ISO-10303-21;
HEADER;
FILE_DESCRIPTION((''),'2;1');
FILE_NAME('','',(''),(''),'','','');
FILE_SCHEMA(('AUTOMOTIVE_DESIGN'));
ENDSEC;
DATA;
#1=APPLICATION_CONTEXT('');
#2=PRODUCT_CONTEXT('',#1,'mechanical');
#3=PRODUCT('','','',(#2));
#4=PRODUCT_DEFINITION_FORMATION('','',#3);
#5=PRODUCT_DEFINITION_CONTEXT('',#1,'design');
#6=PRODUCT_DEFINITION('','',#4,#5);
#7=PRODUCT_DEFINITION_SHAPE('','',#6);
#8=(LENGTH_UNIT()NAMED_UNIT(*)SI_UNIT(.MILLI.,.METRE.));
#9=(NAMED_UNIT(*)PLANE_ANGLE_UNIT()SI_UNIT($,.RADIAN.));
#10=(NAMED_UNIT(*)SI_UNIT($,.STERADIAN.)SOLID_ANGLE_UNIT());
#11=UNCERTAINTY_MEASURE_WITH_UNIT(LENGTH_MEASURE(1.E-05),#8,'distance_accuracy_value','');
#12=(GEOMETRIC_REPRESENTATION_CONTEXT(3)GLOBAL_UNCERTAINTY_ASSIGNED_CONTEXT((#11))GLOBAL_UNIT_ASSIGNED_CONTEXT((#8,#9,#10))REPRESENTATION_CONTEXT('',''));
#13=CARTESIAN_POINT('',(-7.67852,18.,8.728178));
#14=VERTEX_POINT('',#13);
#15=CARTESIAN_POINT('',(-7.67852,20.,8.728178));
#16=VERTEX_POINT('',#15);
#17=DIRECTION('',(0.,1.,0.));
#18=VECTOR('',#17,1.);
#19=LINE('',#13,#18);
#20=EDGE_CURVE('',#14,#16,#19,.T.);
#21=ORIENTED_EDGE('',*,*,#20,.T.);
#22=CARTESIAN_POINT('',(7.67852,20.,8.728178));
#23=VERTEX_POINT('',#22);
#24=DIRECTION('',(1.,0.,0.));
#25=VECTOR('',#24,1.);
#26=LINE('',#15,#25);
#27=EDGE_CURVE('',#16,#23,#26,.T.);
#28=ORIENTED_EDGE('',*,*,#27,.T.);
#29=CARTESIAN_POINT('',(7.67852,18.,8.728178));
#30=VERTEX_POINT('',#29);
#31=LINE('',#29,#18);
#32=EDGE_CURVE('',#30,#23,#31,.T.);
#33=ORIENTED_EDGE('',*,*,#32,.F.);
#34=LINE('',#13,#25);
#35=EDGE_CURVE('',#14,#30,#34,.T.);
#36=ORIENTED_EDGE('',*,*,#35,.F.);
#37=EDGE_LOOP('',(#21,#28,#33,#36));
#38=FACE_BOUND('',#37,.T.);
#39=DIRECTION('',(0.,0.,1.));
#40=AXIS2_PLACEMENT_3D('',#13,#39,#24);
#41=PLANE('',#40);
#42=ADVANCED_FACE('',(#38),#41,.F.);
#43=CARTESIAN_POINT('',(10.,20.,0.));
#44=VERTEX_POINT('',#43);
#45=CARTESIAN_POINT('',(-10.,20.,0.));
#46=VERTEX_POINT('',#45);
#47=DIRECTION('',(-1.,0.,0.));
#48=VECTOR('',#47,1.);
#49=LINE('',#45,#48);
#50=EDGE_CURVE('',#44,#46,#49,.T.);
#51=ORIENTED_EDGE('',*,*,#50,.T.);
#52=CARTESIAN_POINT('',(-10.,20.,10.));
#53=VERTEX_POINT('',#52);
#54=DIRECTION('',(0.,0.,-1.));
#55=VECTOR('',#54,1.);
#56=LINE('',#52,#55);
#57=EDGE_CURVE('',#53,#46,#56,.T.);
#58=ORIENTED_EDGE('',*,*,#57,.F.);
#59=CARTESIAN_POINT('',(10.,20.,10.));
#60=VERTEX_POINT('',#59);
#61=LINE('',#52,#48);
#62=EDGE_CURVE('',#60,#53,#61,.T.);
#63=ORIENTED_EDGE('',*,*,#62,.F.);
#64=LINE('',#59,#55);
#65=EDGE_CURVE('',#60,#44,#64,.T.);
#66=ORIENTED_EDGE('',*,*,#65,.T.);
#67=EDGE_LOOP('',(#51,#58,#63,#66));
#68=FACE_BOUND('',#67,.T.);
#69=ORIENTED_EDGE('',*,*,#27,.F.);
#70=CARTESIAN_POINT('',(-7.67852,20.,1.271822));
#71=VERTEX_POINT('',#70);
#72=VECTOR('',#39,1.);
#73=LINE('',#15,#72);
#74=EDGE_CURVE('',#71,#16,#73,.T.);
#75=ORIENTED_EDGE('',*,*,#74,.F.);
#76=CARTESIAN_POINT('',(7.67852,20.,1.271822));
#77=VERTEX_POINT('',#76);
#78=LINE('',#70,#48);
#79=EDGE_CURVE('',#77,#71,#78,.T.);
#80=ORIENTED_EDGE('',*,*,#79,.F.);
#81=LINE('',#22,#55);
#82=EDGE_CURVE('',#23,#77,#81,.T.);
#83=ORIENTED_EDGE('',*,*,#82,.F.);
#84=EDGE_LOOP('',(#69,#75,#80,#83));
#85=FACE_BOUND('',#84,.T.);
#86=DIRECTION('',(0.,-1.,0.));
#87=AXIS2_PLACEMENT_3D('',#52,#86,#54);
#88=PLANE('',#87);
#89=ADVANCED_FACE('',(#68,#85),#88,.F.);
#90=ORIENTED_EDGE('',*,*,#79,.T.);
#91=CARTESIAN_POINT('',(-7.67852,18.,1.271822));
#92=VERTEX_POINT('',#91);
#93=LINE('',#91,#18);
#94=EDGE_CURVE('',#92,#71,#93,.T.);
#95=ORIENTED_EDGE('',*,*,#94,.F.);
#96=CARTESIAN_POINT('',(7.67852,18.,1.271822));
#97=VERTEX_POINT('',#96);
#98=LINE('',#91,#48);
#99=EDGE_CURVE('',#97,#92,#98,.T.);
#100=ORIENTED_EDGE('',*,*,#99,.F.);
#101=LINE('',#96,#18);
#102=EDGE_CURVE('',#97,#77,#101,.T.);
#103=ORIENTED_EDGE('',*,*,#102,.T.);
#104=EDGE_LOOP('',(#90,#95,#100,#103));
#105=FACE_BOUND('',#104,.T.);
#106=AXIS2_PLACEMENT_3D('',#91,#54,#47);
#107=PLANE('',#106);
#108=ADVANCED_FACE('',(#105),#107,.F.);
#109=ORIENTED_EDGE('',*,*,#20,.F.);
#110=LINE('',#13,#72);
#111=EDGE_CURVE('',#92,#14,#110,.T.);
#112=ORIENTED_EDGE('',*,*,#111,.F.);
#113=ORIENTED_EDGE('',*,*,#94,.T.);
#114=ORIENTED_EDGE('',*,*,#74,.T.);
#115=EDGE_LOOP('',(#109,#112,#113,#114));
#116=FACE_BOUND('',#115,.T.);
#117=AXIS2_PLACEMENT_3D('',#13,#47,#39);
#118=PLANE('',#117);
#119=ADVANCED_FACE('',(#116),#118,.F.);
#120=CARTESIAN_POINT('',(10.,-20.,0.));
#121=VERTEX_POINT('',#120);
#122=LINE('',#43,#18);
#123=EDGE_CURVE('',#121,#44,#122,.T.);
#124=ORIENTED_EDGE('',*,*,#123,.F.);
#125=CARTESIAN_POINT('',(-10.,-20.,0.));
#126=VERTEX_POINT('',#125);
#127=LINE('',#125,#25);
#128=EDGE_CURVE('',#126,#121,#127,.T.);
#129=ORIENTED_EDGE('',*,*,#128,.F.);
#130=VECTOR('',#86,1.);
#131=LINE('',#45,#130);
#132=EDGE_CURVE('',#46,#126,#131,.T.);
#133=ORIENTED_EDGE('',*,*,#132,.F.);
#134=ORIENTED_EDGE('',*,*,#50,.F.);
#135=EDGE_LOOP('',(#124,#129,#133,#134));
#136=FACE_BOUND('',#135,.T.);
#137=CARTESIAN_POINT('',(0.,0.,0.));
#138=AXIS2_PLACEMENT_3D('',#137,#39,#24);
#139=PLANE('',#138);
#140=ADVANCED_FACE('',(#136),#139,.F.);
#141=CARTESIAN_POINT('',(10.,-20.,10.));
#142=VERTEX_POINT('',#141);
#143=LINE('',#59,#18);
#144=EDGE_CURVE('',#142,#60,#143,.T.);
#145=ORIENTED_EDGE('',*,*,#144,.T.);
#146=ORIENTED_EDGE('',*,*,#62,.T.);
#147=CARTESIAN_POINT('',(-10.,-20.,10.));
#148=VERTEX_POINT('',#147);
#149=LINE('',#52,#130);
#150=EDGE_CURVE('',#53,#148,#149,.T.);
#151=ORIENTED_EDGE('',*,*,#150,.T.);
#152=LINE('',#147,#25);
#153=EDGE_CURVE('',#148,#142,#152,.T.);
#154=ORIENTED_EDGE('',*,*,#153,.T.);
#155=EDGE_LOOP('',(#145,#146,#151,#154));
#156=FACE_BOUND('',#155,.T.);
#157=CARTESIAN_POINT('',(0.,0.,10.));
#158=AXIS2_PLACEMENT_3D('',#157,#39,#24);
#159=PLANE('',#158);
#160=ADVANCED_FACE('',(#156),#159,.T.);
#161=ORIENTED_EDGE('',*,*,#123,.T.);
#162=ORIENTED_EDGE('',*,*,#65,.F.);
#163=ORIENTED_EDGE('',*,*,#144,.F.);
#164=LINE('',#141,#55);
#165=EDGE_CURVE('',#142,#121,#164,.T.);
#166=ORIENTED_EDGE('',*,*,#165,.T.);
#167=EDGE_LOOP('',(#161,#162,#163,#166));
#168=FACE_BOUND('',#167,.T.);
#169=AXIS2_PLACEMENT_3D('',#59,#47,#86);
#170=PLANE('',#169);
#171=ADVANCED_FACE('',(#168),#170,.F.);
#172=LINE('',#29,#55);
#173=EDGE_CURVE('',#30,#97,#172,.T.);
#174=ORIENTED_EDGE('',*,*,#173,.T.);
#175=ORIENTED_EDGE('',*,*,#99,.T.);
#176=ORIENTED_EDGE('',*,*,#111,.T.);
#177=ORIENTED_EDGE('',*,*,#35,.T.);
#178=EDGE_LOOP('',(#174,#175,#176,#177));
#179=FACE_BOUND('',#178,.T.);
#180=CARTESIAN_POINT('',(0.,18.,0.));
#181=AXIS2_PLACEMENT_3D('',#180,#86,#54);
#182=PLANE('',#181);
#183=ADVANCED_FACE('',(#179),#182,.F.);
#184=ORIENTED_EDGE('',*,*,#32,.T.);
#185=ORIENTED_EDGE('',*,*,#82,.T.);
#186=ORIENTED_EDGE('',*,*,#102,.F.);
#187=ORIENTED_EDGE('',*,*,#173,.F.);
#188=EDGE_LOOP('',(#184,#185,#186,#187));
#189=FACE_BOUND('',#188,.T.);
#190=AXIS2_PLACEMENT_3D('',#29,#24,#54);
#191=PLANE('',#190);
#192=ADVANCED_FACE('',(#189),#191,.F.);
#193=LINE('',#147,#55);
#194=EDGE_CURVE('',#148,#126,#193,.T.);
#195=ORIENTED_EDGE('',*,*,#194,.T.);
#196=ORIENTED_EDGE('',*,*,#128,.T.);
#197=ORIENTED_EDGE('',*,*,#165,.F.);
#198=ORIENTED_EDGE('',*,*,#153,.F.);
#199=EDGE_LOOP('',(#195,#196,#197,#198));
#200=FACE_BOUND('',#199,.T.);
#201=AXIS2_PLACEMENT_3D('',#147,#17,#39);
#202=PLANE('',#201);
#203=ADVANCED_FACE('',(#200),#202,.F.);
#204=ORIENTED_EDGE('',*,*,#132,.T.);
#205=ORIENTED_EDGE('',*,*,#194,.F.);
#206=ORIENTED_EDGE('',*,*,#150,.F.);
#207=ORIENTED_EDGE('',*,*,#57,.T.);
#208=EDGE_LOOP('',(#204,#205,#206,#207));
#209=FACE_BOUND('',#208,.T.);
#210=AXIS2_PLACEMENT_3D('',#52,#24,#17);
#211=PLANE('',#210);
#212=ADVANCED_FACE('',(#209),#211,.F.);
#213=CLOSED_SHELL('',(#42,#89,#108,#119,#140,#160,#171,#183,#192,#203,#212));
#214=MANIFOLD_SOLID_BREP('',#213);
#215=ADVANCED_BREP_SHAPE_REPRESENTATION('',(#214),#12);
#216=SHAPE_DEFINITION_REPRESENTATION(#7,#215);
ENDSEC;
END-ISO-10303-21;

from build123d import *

# Parameters (mm, degrees)
SKETCH_1_W          = 20
SKETCH_1_H          = 40
EXTRUDE_1_DEPTH     = 10
SKETCH_2_W          = 15.357039838
SKETCH_2_H          = 7.456356594
CUT_EXTRUDE_1_DEPTH = 2


with BuildPart() as part:
    # 草图1 → 凸台-拉伸1 (new body)
    with BuildSketch(Plane.XY):
        Rectangle(SKETCH_1_W, SKETCH_1_H)
    extrude(amount=EXTRUDE_1_DEPTH)

    # 草图2 → 切除-拉伸1 (cut)
    with BuildSketch(Plane(origin=(0, 20, 0), x_dir=(1, 0, 0), z_dir=(0, 1, 0))):
        with Locations((0, -5)):
            Rectangle(SKETCH_2_W, SKETCH_2_H)
    extrude(amount=-CUT_EXTRUDE_1_DEPTH, mode=Mode.SUBTRACT)


solid = part.part
